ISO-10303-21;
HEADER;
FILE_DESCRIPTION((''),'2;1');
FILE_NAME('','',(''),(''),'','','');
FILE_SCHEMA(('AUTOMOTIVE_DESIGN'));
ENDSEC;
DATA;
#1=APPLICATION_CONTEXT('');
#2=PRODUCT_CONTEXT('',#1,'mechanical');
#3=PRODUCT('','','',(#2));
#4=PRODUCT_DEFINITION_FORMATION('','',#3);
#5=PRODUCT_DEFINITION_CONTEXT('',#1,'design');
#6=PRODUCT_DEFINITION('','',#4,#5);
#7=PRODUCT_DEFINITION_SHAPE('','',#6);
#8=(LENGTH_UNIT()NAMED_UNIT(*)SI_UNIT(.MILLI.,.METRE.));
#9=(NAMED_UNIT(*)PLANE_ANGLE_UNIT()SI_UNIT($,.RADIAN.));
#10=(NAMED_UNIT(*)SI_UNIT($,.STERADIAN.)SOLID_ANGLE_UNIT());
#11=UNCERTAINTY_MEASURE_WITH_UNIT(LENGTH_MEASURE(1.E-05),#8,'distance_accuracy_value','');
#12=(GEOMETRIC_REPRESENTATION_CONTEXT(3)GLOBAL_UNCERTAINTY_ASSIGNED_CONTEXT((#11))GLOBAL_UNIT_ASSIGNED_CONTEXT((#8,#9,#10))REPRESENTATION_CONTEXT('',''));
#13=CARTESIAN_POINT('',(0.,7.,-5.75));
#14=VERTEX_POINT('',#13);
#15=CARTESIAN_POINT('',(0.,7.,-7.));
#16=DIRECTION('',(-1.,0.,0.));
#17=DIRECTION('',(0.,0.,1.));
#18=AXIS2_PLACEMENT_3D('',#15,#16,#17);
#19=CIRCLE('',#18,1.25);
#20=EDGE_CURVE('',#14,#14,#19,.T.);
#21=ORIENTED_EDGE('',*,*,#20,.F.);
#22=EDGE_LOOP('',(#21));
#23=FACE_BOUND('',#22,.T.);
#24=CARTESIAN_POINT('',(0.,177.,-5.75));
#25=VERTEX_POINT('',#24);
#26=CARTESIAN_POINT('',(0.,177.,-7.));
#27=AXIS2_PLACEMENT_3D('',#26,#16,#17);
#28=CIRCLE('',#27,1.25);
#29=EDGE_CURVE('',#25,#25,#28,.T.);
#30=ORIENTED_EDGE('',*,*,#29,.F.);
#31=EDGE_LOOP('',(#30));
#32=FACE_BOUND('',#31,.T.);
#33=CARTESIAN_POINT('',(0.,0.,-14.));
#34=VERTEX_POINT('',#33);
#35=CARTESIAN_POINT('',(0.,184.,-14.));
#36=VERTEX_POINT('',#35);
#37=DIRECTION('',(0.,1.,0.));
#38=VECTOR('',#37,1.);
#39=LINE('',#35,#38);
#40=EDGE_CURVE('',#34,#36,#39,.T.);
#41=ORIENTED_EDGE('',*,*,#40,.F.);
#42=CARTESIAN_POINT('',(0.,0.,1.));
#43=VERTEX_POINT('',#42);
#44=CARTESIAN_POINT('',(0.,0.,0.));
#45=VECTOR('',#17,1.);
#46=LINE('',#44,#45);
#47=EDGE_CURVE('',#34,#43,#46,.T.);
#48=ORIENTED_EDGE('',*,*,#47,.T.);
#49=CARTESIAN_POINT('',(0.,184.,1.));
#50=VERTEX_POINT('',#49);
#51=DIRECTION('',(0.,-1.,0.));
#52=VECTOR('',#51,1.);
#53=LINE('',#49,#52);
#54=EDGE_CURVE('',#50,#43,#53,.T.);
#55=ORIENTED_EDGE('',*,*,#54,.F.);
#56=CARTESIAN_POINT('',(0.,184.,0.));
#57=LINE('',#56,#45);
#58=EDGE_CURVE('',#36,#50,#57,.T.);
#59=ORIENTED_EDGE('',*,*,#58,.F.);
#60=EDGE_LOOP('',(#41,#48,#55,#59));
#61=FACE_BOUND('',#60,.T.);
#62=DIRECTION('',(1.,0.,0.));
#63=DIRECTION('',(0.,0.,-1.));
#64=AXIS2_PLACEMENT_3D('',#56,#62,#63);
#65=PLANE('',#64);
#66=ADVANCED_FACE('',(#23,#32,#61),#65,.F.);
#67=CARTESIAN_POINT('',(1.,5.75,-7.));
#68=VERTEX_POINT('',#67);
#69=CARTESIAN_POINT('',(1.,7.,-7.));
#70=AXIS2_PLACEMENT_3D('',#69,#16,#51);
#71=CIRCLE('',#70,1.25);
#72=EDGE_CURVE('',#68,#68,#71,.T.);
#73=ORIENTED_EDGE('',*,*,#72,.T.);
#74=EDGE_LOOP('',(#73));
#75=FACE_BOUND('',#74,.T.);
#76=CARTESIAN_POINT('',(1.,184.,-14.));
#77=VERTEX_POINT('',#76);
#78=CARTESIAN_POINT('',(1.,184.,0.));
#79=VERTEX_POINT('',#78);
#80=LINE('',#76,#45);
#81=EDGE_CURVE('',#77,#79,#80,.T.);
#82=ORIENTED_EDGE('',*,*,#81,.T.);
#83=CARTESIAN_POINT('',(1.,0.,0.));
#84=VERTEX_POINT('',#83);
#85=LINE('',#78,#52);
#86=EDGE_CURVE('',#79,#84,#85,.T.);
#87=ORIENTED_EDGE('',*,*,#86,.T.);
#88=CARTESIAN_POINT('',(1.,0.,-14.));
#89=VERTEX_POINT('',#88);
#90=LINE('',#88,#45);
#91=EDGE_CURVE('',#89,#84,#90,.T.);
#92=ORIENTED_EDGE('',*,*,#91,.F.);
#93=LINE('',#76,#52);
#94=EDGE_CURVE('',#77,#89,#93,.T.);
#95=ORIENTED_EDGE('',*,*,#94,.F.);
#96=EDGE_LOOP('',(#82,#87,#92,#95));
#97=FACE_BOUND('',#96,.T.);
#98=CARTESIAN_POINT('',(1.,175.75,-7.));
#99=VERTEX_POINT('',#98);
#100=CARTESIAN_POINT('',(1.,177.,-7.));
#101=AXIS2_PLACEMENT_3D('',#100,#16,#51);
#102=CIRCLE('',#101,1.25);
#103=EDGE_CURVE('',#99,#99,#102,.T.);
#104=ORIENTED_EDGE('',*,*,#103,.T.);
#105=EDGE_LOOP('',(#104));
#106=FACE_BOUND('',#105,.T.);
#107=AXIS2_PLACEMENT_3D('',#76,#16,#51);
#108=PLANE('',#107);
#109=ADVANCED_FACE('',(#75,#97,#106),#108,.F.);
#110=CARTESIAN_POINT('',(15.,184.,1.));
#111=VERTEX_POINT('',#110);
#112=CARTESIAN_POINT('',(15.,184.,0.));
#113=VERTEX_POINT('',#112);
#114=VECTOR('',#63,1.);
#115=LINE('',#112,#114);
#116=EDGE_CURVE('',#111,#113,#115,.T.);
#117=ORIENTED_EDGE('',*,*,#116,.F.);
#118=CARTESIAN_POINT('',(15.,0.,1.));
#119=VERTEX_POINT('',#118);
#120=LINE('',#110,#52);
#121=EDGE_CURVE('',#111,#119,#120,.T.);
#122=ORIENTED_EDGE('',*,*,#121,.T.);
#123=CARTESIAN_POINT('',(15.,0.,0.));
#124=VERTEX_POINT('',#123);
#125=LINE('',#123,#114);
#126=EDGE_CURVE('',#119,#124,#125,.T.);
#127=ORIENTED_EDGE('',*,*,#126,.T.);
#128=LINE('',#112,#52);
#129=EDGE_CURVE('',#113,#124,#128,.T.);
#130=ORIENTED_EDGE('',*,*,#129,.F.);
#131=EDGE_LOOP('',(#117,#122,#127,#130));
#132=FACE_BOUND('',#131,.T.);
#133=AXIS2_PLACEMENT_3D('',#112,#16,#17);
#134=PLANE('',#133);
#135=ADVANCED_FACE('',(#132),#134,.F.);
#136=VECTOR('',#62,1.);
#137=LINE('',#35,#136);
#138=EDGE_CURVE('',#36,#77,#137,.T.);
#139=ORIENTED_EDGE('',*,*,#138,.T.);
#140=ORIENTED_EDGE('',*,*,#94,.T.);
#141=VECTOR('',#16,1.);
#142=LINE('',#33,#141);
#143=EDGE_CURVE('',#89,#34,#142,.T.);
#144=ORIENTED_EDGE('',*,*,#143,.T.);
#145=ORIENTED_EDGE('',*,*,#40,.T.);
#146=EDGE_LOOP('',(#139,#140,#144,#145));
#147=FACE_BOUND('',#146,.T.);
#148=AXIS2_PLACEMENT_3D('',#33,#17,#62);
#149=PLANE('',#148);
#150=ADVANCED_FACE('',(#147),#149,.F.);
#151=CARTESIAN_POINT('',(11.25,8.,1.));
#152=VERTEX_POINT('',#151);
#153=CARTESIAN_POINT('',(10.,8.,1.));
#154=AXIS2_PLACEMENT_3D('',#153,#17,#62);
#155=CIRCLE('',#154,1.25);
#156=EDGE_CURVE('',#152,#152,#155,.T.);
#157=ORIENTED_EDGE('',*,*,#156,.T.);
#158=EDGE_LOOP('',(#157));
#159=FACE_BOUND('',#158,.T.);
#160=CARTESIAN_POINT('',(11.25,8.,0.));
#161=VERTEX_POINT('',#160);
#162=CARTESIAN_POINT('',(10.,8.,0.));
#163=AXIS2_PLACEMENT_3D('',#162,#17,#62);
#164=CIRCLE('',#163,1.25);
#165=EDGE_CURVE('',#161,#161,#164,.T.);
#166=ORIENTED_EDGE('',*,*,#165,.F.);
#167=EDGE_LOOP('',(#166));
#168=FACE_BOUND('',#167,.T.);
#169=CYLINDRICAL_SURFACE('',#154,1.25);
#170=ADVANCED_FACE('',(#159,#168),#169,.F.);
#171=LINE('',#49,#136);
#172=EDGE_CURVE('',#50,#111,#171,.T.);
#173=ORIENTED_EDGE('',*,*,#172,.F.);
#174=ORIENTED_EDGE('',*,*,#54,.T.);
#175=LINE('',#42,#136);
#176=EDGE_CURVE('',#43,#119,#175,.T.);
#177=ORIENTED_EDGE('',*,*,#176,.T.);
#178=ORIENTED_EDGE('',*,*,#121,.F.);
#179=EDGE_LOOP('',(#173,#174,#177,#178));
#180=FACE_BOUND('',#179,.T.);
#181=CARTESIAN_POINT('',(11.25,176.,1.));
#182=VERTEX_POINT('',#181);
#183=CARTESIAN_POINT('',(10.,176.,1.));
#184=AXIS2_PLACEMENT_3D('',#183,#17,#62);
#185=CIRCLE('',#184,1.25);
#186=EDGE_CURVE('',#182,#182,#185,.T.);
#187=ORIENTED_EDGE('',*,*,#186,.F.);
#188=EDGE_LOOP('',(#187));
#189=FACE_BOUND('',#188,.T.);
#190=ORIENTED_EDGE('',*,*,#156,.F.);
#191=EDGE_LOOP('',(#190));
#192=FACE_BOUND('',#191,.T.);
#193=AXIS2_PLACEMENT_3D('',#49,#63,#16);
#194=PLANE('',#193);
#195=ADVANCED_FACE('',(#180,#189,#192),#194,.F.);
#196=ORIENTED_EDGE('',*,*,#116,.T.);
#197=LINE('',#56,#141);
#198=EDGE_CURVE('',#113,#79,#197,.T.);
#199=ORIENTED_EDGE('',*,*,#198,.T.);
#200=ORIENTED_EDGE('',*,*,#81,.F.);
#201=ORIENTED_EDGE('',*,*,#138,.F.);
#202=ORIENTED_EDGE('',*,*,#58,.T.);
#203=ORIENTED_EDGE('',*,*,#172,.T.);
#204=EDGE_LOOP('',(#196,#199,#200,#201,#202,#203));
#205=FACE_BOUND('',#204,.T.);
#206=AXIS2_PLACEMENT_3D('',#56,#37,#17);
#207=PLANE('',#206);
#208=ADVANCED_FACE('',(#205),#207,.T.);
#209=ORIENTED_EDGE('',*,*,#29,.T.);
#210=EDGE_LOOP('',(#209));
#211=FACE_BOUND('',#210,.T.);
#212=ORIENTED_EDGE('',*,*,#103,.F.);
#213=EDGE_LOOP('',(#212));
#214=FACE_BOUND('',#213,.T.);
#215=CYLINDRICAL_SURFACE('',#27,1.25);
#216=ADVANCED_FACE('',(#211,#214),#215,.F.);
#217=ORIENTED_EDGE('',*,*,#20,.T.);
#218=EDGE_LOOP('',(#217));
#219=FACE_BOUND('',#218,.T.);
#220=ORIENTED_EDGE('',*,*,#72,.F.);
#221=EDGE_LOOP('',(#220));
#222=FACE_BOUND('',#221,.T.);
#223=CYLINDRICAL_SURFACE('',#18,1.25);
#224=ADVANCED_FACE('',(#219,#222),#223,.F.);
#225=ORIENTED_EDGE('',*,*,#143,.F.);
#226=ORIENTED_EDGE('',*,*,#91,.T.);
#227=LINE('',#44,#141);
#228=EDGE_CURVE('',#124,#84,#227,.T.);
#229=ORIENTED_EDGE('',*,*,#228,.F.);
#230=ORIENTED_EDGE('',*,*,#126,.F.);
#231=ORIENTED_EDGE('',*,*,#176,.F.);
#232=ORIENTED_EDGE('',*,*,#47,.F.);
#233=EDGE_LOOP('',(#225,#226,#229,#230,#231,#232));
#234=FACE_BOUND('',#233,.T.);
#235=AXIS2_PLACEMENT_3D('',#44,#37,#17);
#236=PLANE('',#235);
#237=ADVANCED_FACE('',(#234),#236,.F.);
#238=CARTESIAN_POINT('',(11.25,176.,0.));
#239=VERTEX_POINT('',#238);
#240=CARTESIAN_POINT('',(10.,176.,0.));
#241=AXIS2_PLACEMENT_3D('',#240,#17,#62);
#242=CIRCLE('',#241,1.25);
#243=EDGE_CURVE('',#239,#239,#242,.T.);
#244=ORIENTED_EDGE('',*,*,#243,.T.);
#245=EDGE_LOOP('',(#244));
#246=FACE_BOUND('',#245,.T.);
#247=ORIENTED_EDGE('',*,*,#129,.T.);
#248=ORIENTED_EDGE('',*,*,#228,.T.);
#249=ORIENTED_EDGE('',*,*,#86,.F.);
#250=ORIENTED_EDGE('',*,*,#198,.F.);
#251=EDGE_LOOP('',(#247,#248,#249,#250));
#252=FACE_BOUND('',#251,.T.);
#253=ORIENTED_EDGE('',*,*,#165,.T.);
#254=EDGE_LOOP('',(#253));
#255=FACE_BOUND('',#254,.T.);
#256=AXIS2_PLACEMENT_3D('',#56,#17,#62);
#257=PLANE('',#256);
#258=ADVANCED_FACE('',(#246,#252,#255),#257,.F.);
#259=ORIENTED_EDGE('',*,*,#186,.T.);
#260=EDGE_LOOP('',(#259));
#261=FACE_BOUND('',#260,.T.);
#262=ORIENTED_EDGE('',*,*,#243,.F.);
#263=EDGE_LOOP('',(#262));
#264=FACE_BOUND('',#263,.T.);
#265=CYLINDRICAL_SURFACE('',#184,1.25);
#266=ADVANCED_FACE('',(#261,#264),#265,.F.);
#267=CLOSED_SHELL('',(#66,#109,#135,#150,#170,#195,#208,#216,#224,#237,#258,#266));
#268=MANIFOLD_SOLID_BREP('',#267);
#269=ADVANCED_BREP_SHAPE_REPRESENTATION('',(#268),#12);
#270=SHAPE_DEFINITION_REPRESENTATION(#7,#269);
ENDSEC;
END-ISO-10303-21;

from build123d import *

# Parameters (mm, degrees)
SKETCH_1_W      = 15
SKETCH_1_H      = 1
EXTRUDE_1_DEPTH = 184
SKETCH_3_W      = 1
SKETCH_3_H      = 184
EXTRUDE_2_DEPTH = 14
M3X0_5_1_D      = 2.5
M3X0_5_2_D      = 2.5


with BuildPart() as part:
    # ｽｹｯﾁ1 → ﾎﾞｽ - 押し出し1 (new body)
    with BuildSketch(Plane(origin=(0, 0, 0), x_dir=(1, 0, 0), z_dir=(0, 1, 0))):
        with Locations((7.5, -0.5)):
            Rectangle(SKETCH_1_W, SKETCH_1_H)
    extrude(amount=EXTRUDE_1_DEPTH)

    # ｽｹｯﾁ3 → ﾎﾞｽ - 押し出し2 (add)
    with BuildSketch(Plane(origin=(0, 0, 0), x_dir=(-1, 0, 0), z_dir=(0, 0, -1))):
        with Locations((-0.5, 92)):
            Rectangle(SKETCH_3_W, SKETCH_3_H)
    extrude(amount=EXTRUDE_2_DEPTH)

    # M3x0.5 ねじ穴1 (through all)
    with Locations(Plane.ZY):
        with Locations((-7, 7), (-7, 177)):
            Hole(M3X0_5_1_D / 2)

    # M3x0.5 ねじ穴2 (through all)
    with Locations(Plane.XY.offset(1)):
        with Locations((10, 8), (10, 176)):
            Hole(M3X0_5_2_D / 2)


solid = part.part
